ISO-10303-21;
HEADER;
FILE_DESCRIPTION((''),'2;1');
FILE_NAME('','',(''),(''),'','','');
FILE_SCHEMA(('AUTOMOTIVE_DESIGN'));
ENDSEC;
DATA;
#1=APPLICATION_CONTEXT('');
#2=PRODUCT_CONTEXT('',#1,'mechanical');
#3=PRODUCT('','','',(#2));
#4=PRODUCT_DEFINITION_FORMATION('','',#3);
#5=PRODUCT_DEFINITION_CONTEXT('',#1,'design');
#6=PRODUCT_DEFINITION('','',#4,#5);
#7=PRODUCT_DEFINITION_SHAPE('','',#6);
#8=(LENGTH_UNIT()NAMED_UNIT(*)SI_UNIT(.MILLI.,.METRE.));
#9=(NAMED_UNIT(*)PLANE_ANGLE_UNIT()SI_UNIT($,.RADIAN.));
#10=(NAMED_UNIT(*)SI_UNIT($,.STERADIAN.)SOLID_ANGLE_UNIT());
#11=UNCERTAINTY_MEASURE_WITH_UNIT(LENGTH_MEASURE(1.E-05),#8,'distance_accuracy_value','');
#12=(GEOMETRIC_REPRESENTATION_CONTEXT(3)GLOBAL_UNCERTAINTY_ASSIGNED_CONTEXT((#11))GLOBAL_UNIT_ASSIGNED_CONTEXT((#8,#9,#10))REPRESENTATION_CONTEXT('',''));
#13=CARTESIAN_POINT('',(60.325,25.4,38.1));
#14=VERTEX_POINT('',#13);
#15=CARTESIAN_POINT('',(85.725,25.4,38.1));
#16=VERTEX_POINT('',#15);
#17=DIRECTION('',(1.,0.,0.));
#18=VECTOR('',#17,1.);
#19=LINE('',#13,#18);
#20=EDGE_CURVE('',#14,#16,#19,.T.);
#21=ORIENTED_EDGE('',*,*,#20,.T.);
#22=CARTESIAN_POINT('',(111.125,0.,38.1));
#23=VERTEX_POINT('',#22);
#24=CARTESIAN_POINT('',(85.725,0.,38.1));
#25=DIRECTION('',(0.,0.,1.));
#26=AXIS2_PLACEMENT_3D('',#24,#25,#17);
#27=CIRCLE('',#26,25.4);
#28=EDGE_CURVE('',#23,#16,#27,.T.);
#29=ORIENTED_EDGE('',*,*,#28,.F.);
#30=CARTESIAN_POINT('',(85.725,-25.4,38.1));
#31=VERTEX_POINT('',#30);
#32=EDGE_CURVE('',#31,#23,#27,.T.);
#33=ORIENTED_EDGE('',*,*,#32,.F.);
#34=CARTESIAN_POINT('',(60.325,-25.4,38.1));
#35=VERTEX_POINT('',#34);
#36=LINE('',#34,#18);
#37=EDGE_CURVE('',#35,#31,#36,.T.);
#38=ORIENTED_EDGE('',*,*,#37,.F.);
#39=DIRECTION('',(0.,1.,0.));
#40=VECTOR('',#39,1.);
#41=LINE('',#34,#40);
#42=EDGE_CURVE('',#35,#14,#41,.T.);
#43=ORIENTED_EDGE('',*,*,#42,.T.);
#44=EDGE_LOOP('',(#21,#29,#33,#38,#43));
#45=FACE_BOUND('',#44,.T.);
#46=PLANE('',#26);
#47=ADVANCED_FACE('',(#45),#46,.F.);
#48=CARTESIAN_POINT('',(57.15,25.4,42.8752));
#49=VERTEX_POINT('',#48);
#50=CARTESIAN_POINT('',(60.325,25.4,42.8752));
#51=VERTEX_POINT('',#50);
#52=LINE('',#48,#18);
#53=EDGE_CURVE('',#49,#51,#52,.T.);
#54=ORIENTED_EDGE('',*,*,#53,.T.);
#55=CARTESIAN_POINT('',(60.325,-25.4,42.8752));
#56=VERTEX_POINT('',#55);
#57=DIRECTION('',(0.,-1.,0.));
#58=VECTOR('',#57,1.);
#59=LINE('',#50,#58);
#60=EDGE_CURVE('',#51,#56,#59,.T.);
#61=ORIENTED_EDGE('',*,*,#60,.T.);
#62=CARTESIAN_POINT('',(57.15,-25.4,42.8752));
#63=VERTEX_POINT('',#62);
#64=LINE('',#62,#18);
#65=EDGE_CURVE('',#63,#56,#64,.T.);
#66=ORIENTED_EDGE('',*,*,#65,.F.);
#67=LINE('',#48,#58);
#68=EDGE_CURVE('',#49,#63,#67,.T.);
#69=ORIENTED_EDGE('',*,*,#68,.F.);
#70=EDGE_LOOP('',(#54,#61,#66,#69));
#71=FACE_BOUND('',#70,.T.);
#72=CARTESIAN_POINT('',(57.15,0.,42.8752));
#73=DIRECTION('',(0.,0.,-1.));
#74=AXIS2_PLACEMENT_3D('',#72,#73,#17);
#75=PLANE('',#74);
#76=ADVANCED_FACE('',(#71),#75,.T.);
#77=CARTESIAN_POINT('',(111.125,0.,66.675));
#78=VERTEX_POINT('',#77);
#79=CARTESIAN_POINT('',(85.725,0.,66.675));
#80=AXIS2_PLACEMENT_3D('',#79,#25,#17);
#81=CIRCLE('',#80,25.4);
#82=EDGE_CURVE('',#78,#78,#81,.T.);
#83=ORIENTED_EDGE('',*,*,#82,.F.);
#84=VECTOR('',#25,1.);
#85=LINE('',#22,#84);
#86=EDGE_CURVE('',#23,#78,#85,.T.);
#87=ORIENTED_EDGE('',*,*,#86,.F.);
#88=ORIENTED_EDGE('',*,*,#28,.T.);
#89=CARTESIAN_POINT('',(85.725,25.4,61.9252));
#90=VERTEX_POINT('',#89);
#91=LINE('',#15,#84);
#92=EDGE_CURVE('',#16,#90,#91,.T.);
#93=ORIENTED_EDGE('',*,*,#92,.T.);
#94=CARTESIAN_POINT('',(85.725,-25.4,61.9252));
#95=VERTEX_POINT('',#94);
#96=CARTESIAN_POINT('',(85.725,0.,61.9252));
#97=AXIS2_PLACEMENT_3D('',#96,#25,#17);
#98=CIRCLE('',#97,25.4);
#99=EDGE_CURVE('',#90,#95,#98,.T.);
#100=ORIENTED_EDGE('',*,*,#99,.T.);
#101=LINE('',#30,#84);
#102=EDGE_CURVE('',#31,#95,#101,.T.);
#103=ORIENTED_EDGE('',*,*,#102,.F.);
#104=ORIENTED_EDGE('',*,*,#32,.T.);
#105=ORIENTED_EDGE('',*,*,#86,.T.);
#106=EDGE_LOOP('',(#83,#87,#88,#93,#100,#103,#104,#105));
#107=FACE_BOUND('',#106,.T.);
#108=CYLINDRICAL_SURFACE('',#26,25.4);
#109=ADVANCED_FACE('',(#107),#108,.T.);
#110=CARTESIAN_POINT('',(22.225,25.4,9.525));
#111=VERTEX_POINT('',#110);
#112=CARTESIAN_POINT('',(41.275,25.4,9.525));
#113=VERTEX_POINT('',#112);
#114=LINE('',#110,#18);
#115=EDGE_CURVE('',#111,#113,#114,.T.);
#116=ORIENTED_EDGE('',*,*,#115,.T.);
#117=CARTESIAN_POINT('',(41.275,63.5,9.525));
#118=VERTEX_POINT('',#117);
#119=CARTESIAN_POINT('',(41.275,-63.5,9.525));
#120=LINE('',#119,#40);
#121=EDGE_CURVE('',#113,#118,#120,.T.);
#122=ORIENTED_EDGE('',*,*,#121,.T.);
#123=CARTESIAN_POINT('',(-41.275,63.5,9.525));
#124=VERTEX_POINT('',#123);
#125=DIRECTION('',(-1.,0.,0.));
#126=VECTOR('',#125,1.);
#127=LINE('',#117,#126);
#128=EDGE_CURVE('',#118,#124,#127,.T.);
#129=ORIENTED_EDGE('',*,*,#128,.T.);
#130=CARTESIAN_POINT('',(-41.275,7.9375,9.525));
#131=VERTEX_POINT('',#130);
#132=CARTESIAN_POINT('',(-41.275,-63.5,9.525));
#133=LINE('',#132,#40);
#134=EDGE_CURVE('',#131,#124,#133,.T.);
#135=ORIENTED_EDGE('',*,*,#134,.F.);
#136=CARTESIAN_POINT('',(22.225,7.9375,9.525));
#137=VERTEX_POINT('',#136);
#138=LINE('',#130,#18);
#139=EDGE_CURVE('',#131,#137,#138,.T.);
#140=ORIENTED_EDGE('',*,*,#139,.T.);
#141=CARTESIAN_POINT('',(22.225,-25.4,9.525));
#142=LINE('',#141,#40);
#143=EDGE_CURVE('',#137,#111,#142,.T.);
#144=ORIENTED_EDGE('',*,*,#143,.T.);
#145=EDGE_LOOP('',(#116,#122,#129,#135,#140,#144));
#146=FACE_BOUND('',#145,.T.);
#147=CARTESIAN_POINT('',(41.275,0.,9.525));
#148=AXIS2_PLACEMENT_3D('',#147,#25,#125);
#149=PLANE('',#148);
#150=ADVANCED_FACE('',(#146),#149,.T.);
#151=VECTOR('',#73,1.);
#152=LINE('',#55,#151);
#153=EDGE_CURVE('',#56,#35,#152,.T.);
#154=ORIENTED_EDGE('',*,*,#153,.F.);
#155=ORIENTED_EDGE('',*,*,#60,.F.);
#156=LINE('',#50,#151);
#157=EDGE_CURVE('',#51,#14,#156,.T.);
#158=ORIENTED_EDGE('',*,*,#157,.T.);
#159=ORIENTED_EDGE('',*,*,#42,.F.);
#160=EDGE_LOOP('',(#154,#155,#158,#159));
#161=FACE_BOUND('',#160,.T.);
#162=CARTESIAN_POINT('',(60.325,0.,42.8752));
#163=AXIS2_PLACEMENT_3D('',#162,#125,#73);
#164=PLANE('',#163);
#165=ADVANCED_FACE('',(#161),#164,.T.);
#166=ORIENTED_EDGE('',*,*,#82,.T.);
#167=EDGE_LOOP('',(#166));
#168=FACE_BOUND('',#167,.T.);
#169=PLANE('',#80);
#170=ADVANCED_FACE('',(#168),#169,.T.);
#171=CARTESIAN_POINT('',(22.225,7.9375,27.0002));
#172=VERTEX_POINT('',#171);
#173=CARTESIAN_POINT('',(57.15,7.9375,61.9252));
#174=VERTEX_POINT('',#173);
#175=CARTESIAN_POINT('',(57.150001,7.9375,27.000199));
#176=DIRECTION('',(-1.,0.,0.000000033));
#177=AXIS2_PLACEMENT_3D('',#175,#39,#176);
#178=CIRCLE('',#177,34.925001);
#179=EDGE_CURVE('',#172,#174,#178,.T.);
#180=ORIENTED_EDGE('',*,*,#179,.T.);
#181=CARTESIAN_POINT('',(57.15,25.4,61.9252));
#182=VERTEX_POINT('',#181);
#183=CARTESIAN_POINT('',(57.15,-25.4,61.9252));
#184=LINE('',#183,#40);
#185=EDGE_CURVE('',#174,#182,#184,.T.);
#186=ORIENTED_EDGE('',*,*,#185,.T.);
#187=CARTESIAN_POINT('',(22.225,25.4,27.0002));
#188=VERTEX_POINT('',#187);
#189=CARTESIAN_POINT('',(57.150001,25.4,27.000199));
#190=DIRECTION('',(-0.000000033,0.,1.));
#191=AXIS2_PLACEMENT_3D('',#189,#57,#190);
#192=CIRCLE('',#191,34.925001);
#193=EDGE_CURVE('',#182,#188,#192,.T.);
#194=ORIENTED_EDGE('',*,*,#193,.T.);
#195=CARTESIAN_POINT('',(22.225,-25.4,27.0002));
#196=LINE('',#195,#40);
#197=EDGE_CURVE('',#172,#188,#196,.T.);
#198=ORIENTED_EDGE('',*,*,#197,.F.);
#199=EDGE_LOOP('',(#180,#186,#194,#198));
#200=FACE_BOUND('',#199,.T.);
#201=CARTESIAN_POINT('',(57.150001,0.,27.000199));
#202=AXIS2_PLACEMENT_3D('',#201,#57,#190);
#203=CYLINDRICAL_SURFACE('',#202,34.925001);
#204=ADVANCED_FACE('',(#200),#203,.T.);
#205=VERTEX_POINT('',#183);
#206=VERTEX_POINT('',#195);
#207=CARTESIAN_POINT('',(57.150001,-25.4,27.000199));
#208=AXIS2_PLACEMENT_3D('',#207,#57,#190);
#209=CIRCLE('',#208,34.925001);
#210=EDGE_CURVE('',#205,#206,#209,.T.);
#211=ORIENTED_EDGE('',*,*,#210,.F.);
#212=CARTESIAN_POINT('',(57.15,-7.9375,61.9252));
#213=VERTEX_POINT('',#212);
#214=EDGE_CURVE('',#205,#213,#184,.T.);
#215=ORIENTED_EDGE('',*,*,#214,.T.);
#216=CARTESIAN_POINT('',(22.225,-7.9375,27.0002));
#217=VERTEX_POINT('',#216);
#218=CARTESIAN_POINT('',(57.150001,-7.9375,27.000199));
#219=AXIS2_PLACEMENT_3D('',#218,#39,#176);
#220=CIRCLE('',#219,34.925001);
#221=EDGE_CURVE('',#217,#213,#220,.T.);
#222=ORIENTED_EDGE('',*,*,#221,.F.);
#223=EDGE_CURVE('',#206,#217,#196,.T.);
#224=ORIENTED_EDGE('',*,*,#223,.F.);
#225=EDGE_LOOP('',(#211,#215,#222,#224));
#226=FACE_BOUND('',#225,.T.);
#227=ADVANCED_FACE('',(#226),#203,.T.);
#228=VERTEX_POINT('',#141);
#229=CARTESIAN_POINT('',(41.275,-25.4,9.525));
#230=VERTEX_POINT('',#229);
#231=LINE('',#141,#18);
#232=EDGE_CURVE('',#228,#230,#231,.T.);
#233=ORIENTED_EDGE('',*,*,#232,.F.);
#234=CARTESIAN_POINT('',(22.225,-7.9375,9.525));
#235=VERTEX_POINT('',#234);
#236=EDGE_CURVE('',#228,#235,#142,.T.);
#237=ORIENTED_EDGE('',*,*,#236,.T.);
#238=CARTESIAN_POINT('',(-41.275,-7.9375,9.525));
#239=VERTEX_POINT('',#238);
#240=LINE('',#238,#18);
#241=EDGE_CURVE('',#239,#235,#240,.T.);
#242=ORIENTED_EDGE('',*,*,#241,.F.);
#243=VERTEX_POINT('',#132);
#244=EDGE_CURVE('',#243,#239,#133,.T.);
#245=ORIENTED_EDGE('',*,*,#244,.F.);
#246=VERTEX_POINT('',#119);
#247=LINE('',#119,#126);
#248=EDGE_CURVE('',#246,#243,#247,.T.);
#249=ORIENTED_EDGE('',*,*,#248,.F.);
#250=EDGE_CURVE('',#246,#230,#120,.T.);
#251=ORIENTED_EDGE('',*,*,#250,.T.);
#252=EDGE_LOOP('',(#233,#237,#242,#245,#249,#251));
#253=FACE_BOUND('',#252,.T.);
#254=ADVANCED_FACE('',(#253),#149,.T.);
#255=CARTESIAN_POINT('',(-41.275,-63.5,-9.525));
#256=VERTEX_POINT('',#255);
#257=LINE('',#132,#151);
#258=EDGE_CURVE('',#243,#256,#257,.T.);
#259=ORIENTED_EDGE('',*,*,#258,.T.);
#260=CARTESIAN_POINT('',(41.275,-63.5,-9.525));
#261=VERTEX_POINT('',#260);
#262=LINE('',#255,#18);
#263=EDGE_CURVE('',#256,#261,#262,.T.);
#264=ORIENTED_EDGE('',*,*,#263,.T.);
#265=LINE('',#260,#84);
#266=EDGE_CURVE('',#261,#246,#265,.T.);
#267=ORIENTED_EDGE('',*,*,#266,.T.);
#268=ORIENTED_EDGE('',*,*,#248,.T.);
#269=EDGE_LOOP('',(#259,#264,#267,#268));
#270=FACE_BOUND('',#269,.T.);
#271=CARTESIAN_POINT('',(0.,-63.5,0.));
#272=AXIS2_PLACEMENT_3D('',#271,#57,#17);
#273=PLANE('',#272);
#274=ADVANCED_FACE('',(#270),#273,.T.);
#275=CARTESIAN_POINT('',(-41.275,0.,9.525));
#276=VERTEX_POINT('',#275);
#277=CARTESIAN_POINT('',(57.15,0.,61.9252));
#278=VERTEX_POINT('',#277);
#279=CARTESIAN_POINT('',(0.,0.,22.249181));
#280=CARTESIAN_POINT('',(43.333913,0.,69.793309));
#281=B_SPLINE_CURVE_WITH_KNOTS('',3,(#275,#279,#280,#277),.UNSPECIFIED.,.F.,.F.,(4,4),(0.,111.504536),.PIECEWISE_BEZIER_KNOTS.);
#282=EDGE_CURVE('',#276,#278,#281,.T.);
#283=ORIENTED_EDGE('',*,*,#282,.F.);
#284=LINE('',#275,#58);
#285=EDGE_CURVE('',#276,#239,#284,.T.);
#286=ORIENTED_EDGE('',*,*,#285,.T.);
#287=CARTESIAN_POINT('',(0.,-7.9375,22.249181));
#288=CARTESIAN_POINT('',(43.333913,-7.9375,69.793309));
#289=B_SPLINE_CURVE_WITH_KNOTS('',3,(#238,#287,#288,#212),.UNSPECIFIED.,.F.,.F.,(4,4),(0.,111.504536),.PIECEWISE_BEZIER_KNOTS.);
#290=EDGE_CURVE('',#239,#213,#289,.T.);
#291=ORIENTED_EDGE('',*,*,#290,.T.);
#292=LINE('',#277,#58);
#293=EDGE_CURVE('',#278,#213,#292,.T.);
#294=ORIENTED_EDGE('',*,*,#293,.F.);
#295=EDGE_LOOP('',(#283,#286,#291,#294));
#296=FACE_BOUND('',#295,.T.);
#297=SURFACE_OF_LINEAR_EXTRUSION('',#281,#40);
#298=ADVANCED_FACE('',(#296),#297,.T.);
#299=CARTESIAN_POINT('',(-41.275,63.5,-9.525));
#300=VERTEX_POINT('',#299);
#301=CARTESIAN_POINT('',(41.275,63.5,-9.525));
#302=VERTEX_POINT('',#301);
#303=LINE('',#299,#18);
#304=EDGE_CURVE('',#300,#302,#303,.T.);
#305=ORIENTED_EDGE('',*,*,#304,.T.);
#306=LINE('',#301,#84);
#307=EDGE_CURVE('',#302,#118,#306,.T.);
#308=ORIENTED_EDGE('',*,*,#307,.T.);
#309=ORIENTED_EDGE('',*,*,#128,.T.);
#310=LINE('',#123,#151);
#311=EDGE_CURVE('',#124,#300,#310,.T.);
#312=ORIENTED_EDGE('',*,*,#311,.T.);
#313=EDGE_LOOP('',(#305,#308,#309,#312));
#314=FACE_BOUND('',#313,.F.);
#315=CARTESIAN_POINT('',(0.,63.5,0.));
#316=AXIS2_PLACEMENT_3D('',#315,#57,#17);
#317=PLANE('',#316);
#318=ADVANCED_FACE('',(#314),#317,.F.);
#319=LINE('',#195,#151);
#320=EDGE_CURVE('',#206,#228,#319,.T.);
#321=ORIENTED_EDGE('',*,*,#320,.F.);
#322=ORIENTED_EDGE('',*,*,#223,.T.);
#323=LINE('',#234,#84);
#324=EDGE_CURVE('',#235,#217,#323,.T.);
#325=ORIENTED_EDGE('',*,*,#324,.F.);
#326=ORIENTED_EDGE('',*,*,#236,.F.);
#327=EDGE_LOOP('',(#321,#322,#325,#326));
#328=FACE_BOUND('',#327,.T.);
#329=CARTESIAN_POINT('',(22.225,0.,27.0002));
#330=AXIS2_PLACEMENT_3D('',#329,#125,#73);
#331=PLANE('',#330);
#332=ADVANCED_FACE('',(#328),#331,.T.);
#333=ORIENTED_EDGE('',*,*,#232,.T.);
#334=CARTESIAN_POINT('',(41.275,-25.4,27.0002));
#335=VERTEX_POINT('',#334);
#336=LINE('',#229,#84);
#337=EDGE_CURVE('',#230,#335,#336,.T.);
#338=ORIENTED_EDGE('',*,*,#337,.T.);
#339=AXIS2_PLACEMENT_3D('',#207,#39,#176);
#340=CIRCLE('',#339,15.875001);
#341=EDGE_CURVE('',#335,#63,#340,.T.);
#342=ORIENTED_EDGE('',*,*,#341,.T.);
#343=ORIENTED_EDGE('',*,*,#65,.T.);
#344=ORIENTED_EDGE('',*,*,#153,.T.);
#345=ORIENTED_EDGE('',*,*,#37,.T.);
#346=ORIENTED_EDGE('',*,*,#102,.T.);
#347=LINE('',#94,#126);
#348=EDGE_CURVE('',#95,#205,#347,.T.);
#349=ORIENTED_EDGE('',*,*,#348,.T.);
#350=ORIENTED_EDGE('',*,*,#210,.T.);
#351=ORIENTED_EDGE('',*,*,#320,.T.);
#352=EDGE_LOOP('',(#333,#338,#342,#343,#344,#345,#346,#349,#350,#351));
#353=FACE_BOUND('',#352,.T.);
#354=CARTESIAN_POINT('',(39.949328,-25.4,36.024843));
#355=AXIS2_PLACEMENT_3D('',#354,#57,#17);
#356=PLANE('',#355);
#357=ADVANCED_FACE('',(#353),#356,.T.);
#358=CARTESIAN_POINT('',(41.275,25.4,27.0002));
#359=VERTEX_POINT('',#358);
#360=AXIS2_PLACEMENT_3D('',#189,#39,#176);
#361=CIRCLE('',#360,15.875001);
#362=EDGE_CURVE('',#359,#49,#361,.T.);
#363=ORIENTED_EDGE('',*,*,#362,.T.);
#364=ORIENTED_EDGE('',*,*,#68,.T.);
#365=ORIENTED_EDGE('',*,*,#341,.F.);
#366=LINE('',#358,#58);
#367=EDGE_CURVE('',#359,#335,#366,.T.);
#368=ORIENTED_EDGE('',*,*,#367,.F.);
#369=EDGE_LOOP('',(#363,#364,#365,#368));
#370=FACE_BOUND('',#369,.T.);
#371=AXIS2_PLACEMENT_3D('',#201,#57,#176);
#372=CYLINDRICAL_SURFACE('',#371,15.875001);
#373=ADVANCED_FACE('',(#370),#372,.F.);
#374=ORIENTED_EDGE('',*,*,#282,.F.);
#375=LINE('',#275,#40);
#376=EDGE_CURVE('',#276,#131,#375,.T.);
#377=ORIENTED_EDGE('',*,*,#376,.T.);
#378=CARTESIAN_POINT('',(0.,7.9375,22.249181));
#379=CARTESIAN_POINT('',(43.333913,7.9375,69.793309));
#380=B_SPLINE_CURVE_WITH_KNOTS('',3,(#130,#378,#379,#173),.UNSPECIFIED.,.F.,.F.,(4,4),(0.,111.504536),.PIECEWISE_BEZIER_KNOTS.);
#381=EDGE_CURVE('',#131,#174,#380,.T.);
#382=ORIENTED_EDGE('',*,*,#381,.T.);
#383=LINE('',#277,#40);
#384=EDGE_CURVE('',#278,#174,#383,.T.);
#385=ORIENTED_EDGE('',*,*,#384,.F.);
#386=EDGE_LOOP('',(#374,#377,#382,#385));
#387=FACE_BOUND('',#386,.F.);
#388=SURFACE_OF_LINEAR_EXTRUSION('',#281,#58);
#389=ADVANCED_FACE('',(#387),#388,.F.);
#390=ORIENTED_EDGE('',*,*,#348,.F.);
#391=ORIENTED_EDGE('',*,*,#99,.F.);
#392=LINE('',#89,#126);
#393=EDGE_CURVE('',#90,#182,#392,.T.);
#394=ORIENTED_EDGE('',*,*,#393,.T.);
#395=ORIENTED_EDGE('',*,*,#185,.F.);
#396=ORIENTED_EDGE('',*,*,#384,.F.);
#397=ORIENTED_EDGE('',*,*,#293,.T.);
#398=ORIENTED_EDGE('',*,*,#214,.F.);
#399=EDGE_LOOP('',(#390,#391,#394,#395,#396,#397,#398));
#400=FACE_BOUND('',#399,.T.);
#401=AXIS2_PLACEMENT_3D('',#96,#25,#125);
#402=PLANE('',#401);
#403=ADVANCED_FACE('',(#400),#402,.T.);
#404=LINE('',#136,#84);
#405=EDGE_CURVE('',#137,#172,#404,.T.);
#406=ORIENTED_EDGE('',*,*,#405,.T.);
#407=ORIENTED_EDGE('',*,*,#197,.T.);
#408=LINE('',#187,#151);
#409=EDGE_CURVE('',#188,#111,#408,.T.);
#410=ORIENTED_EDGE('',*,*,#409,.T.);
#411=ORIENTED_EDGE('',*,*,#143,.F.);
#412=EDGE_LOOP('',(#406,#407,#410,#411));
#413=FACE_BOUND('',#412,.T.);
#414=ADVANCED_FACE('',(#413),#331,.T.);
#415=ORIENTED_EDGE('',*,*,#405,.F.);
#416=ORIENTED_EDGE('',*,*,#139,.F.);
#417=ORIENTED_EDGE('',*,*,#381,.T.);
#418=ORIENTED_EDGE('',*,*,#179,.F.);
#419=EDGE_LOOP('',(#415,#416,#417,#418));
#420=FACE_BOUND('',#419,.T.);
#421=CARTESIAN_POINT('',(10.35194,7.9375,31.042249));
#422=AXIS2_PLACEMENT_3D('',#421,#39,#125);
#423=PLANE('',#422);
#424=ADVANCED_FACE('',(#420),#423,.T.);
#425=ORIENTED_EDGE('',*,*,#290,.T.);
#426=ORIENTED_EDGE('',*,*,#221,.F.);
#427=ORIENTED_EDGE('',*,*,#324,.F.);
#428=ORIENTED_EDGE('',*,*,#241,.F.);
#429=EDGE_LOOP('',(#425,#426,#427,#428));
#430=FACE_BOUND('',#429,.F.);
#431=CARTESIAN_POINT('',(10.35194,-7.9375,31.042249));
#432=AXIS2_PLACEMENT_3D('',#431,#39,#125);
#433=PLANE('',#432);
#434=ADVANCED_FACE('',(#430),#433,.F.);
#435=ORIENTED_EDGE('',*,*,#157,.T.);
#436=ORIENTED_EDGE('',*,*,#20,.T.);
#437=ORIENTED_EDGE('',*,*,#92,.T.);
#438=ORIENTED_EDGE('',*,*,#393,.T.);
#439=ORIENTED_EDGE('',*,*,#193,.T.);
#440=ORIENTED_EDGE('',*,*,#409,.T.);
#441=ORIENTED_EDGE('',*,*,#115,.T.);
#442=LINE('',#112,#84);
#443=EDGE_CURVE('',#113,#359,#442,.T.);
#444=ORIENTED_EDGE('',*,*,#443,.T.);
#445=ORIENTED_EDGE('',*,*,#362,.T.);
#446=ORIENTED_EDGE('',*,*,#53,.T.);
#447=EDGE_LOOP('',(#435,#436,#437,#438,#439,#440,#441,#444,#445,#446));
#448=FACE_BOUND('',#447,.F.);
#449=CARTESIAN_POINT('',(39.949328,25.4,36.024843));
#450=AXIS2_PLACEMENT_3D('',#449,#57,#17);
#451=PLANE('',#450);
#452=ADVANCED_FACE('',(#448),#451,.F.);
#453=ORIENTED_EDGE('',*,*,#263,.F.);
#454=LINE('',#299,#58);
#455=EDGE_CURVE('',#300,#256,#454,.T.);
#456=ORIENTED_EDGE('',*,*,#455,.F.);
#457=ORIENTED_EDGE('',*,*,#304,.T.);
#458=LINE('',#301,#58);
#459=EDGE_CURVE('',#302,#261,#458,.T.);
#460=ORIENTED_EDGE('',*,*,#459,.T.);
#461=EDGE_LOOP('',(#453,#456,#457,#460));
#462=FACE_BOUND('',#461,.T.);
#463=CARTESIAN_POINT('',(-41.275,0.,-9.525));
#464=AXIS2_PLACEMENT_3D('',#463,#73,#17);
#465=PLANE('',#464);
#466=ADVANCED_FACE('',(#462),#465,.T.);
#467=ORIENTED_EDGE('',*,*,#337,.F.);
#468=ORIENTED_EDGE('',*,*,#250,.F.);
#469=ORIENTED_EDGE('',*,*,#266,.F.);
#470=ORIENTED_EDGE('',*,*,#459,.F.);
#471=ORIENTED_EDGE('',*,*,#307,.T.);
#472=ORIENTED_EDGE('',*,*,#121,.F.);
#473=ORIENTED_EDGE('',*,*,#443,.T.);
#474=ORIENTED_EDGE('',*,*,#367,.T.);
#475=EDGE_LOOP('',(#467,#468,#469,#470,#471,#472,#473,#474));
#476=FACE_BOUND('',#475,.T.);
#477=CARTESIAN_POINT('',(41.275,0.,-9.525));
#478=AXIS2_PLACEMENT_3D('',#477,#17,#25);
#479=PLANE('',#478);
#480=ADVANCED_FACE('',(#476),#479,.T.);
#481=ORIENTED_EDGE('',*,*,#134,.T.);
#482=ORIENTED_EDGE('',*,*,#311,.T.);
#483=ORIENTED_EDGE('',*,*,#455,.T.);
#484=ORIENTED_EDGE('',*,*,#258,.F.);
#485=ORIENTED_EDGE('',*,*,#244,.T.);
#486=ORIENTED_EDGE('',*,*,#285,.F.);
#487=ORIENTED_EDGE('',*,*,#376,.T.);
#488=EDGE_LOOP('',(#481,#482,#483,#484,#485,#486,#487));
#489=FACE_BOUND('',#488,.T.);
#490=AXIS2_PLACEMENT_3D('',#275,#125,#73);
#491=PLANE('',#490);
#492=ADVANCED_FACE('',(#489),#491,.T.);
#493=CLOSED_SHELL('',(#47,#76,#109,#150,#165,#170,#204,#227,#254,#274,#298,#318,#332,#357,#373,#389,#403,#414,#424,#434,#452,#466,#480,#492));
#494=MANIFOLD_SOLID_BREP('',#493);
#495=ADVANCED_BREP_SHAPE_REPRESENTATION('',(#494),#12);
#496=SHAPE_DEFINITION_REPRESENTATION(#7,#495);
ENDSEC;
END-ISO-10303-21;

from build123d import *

# Parameters (mm, degrees)
F1_DEPTH = 63.5
F2_DEPTH = 25.4
F3_DEPTH = 7.9375


with BuildPart() as f1:
    # F0 (on Front) → F1 (new body, symmetric)
    with BuildSketch(Plane.XZ):
        Polygon((-41.275, 9.525), (-41.275, -9.525), (41.275, -9.525), (41.275, 9.525), (22.225, 9.525), align=None)
    extrude(amount=F1_DEPTH, both=True)

    # F0 (on Front) → F2 (join, symmetric)
    with BuildSketch(Plane.XZ):
        with BuildLine():
            Line((22.225, 9.525), (41.275, 9.525))
            Line((41.275, 9.525), (41.275, 27.0002))
            ThreePointArc((41.275, 27.0002), (45.92468, 38.22552), (57.15, 42.8752))
            Line((57.15, 42.8752), (60.325, 42.8752))
            Line((60.325, 42.8752), (60.325, 61.9252))
            Line((60.325, 61.9252), (57.15, 61.9252))
            ThreePointArc((57.15, 61.9252), (32.454296, 51.695904), (22.225, 27.0002))
            Line((22.225, 27.0002), (22.225, 9.525))
        make_face()
        Polygon((85.725, 61.9252), (60.325, 61.9252), (60.325, 42.8752), (60.325, 38.1), (85.725, 38.1), align=None)
    extrude(amount=F2_DEPTH, both=True)

    # F0 (on Front) → F3 (join, symmetric)
    with BuildSketch(Plane.XZ):
        with BuildLine():
            add(Edge.make_bspline(
                [(-41.275, 9.525), (0, 22.249181), (43.333913, 69.793309), (57.15, 61.9252)],
                knots=[0, 0, 0, 0, 111.504536, 111.504536, 111.504536, 111.504536], degree=3))
            Line((-41.275, 9.525), (22.225, 9.525))
            Line((22.225, 9.525), (22.225, 27.0002))
            ThreePointArc((22.225, 27.0002), (32.454296, 51.695904), (57.15, 61.9252))
        make_face()
    extrude(amount=F3_DEPTH, both=True)

    # F0 (on Front) → F4 (revolve)
    with BuildSketch(Plane.XZ):
        Polygon((85.725, 66.675), (85.725, 61.9252), (85.725, 38.1), (111.125, 38.1), (111.125, 66.675), align=None)
    revolve(axis=Axis((85.725, 0, 52.3875), (0, 0, 1)))


solid = f1.part
